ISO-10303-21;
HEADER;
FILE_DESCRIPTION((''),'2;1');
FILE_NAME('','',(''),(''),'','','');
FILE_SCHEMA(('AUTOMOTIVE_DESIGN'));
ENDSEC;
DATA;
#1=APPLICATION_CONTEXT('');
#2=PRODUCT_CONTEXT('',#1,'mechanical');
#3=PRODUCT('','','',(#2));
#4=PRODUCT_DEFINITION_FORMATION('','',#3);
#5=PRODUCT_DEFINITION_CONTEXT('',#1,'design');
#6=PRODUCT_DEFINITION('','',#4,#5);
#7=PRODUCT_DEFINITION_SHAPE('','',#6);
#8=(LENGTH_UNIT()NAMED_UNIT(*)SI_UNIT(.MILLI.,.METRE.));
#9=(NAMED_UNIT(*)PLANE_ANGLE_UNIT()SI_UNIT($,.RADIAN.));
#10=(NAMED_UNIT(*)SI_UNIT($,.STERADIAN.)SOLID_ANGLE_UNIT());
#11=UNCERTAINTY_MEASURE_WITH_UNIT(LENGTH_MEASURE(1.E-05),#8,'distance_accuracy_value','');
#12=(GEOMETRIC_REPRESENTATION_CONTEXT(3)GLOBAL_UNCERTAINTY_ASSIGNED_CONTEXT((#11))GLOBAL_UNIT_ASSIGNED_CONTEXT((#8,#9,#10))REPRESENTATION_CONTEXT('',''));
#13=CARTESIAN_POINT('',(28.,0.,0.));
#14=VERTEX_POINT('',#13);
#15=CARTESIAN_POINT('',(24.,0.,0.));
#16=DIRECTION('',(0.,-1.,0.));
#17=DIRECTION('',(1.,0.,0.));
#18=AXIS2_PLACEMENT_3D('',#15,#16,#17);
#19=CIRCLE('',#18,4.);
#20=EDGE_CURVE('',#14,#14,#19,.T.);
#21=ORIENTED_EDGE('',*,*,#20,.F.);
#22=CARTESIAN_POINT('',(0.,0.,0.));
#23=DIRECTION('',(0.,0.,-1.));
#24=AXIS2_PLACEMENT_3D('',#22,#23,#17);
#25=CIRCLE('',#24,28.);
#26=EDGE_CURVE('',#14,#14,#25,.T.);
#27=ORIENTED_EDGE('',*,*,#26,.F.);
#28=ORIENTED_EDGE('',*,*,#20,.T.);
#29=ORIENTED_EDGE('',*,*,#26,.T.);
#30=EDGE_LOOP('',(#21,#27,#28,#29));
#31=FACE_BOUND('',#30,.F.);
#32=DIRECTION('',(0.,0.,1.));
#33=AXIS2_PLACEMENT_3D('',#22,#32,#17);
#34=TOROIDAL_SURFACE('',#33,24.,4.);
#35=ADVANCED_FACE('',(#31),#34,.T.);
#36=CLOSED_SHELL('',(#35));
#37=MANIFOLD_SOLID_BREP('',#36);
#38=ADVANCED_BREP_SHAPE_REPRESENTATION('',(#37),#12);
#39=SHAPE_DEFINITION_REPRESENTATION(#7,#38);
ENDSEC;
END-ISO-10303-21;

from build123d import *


with BuildPart() as f1:
    # F0 (on Front) → F1 (revolve)
    with BuildSketch(Plane.XZ):
        with BuildLine():
            ThreePointArc((20, 0), (24, -4), (28, 0))
            ThreePointArc((28, 0), (24, 4), (20, 0))
        make_face()
    revolve(axis=Axis((0, 0, -1.260672), (0, 0, -1)))


solid = f1.part
